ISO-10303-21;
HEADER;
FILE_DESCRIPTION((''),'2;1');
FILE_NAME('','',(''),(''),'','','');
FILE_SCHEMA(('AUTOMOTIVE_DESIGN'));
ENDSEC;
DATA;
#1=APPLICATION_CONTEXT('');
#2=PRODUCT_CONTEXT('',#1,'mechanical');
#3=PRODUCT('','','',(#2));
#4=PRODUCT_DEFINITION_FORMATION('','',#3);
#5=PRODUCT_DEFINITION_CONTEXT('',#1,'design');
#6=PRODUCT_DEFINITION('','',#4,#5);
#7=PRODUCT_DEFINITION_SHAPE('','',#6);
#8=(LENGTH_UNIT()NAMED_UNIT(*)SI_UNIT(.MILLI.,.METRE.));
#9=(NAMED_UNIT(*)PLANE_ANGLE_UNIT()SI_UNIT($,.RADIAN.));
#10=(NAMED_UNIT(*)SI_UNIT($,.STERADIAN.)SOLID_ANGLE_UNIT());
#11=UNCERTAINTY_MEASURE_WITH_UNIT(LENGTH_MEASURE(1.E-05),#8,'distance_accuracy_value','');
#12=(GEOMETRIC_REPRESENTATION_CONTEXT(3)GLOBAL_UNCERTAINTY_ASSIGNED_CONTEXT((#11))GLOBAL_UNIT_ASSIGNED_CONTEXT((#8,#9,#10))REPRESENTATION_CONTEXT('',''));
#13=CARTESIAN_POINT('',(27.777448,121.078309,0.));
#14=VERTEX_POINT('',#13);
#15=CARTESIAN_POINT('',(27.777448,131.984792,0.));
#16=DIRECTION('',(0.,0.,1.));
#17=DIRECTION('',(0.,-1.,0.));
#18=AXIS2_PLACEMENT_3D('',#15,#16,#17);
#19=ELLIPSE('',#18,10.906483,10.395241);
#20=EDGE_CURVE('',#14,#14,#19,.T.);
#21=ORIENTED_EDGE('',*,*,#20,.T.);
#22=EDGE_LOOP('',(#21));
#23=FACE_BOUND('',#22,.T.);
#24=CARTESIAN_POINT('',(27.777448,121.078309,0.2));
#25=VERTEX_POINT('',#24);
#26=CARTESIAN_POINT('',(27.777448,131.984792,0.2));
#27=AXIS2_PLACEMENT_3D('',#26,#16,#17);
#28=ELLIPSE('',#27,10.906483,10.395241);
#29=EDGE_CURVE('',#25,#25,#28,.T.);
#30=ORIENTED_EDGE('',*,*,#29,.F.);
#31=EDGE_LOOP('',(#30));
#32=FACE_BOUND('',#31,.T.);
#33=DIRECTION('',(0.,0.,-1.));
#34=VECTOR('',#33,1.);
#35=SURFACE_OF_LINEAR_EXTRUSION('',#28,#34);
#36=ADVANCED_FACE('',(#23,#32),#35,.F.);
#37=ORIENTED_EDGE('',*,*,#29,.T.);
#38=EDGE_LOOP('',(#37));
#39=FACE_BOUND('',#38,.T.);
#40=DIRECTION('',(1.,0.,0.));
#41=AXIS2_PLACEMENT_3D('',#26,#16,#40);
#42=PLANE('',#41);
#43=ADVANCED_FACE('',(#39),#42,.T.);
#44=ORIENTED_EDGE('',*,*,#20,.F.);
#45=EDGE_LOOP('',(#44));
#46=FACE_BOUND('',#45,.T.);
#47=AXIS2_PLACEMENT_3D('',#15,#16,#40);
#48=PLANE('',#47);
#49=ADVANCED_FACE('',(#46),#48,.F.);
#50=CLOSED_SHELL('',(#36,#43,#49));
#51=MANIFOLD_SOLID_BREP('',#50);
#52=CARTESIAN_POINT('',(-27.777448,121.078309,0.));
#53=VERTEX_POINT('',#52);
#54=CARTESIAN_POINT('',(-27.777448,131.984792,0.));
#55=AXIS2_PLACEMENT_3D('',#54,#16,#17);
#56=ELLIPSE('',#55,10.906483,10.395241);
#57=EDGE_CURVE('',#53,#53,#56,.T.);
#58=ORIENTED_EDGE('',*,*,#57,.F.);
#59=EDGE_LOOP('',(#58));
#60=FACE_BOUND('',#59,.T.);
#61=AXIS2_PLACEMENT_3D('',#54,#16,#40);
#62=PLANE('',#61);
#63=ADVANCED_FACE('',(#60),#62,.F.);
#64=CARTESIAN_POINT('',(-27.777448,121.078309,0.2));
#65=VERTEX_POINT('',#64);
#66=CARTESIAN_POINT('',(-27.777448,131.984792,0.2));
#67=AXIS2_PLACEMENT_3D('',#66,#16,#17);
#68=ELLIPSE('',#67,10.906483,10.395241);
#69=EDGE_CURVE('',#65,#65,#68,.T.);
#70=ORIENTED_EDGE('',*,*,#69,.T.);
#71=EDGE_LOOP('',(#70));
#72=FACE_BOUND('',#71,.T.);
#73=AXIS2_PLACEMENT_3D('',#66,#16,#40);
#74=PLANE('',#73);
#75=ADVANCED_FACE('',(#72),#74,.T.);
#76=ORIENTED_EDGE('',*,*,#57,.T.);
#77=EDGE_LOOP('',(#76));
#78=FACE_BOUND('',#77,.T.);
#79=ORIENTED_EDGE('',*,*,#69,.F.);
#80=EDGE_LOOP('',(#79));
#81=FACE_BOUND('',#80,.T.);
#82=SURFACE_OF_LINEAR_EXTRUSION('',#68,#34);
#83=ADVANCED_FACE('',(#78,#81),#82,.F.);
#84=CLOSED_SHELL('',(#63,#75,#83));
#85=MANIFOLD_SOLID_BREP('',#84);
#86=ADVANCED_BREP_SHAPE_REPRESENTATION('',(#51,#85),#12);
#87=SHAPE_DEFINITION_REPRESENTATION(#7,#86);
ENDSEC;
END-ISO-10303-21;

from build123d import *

# Parameters (mm, degrees)
SKETCH1_RX            = 10.906482742
SKETCH1_RY            = 10.395241363
BOSS_EXTRUDE1_DEPTH   = 0.2
BOSS_EXTRUDE1_2_DEPTH = 0.2


with BuildPart() as part:
    # Sketch1 → Boss-Extrude1 (new body)
    with BuildSketch(Plane.XY):
        with Locations(Location((-27.777448233, 131.984792082), (0, 0, -90))):
            Ellipse(SKETCH1_RX, SKETCH1_RY)
    extrude(amount=BOSS_EXTRUDE1_DEPTH)


with BuildPart() as body_2:
    # Sketch1 → Boss-Extrude1 2 (new body)
    with BuildSketch(Plane.XY):
        with Locations(Location((27.777448233, 131.984792082), (0, 0, -90))):
            Ellipse(SKETCH1_RX, SKETCH1_RY)
    extrude(amount=BOSS_EXTRUDE1_2_DEPTH)


solid = Compound([part.part, body_2.part])
